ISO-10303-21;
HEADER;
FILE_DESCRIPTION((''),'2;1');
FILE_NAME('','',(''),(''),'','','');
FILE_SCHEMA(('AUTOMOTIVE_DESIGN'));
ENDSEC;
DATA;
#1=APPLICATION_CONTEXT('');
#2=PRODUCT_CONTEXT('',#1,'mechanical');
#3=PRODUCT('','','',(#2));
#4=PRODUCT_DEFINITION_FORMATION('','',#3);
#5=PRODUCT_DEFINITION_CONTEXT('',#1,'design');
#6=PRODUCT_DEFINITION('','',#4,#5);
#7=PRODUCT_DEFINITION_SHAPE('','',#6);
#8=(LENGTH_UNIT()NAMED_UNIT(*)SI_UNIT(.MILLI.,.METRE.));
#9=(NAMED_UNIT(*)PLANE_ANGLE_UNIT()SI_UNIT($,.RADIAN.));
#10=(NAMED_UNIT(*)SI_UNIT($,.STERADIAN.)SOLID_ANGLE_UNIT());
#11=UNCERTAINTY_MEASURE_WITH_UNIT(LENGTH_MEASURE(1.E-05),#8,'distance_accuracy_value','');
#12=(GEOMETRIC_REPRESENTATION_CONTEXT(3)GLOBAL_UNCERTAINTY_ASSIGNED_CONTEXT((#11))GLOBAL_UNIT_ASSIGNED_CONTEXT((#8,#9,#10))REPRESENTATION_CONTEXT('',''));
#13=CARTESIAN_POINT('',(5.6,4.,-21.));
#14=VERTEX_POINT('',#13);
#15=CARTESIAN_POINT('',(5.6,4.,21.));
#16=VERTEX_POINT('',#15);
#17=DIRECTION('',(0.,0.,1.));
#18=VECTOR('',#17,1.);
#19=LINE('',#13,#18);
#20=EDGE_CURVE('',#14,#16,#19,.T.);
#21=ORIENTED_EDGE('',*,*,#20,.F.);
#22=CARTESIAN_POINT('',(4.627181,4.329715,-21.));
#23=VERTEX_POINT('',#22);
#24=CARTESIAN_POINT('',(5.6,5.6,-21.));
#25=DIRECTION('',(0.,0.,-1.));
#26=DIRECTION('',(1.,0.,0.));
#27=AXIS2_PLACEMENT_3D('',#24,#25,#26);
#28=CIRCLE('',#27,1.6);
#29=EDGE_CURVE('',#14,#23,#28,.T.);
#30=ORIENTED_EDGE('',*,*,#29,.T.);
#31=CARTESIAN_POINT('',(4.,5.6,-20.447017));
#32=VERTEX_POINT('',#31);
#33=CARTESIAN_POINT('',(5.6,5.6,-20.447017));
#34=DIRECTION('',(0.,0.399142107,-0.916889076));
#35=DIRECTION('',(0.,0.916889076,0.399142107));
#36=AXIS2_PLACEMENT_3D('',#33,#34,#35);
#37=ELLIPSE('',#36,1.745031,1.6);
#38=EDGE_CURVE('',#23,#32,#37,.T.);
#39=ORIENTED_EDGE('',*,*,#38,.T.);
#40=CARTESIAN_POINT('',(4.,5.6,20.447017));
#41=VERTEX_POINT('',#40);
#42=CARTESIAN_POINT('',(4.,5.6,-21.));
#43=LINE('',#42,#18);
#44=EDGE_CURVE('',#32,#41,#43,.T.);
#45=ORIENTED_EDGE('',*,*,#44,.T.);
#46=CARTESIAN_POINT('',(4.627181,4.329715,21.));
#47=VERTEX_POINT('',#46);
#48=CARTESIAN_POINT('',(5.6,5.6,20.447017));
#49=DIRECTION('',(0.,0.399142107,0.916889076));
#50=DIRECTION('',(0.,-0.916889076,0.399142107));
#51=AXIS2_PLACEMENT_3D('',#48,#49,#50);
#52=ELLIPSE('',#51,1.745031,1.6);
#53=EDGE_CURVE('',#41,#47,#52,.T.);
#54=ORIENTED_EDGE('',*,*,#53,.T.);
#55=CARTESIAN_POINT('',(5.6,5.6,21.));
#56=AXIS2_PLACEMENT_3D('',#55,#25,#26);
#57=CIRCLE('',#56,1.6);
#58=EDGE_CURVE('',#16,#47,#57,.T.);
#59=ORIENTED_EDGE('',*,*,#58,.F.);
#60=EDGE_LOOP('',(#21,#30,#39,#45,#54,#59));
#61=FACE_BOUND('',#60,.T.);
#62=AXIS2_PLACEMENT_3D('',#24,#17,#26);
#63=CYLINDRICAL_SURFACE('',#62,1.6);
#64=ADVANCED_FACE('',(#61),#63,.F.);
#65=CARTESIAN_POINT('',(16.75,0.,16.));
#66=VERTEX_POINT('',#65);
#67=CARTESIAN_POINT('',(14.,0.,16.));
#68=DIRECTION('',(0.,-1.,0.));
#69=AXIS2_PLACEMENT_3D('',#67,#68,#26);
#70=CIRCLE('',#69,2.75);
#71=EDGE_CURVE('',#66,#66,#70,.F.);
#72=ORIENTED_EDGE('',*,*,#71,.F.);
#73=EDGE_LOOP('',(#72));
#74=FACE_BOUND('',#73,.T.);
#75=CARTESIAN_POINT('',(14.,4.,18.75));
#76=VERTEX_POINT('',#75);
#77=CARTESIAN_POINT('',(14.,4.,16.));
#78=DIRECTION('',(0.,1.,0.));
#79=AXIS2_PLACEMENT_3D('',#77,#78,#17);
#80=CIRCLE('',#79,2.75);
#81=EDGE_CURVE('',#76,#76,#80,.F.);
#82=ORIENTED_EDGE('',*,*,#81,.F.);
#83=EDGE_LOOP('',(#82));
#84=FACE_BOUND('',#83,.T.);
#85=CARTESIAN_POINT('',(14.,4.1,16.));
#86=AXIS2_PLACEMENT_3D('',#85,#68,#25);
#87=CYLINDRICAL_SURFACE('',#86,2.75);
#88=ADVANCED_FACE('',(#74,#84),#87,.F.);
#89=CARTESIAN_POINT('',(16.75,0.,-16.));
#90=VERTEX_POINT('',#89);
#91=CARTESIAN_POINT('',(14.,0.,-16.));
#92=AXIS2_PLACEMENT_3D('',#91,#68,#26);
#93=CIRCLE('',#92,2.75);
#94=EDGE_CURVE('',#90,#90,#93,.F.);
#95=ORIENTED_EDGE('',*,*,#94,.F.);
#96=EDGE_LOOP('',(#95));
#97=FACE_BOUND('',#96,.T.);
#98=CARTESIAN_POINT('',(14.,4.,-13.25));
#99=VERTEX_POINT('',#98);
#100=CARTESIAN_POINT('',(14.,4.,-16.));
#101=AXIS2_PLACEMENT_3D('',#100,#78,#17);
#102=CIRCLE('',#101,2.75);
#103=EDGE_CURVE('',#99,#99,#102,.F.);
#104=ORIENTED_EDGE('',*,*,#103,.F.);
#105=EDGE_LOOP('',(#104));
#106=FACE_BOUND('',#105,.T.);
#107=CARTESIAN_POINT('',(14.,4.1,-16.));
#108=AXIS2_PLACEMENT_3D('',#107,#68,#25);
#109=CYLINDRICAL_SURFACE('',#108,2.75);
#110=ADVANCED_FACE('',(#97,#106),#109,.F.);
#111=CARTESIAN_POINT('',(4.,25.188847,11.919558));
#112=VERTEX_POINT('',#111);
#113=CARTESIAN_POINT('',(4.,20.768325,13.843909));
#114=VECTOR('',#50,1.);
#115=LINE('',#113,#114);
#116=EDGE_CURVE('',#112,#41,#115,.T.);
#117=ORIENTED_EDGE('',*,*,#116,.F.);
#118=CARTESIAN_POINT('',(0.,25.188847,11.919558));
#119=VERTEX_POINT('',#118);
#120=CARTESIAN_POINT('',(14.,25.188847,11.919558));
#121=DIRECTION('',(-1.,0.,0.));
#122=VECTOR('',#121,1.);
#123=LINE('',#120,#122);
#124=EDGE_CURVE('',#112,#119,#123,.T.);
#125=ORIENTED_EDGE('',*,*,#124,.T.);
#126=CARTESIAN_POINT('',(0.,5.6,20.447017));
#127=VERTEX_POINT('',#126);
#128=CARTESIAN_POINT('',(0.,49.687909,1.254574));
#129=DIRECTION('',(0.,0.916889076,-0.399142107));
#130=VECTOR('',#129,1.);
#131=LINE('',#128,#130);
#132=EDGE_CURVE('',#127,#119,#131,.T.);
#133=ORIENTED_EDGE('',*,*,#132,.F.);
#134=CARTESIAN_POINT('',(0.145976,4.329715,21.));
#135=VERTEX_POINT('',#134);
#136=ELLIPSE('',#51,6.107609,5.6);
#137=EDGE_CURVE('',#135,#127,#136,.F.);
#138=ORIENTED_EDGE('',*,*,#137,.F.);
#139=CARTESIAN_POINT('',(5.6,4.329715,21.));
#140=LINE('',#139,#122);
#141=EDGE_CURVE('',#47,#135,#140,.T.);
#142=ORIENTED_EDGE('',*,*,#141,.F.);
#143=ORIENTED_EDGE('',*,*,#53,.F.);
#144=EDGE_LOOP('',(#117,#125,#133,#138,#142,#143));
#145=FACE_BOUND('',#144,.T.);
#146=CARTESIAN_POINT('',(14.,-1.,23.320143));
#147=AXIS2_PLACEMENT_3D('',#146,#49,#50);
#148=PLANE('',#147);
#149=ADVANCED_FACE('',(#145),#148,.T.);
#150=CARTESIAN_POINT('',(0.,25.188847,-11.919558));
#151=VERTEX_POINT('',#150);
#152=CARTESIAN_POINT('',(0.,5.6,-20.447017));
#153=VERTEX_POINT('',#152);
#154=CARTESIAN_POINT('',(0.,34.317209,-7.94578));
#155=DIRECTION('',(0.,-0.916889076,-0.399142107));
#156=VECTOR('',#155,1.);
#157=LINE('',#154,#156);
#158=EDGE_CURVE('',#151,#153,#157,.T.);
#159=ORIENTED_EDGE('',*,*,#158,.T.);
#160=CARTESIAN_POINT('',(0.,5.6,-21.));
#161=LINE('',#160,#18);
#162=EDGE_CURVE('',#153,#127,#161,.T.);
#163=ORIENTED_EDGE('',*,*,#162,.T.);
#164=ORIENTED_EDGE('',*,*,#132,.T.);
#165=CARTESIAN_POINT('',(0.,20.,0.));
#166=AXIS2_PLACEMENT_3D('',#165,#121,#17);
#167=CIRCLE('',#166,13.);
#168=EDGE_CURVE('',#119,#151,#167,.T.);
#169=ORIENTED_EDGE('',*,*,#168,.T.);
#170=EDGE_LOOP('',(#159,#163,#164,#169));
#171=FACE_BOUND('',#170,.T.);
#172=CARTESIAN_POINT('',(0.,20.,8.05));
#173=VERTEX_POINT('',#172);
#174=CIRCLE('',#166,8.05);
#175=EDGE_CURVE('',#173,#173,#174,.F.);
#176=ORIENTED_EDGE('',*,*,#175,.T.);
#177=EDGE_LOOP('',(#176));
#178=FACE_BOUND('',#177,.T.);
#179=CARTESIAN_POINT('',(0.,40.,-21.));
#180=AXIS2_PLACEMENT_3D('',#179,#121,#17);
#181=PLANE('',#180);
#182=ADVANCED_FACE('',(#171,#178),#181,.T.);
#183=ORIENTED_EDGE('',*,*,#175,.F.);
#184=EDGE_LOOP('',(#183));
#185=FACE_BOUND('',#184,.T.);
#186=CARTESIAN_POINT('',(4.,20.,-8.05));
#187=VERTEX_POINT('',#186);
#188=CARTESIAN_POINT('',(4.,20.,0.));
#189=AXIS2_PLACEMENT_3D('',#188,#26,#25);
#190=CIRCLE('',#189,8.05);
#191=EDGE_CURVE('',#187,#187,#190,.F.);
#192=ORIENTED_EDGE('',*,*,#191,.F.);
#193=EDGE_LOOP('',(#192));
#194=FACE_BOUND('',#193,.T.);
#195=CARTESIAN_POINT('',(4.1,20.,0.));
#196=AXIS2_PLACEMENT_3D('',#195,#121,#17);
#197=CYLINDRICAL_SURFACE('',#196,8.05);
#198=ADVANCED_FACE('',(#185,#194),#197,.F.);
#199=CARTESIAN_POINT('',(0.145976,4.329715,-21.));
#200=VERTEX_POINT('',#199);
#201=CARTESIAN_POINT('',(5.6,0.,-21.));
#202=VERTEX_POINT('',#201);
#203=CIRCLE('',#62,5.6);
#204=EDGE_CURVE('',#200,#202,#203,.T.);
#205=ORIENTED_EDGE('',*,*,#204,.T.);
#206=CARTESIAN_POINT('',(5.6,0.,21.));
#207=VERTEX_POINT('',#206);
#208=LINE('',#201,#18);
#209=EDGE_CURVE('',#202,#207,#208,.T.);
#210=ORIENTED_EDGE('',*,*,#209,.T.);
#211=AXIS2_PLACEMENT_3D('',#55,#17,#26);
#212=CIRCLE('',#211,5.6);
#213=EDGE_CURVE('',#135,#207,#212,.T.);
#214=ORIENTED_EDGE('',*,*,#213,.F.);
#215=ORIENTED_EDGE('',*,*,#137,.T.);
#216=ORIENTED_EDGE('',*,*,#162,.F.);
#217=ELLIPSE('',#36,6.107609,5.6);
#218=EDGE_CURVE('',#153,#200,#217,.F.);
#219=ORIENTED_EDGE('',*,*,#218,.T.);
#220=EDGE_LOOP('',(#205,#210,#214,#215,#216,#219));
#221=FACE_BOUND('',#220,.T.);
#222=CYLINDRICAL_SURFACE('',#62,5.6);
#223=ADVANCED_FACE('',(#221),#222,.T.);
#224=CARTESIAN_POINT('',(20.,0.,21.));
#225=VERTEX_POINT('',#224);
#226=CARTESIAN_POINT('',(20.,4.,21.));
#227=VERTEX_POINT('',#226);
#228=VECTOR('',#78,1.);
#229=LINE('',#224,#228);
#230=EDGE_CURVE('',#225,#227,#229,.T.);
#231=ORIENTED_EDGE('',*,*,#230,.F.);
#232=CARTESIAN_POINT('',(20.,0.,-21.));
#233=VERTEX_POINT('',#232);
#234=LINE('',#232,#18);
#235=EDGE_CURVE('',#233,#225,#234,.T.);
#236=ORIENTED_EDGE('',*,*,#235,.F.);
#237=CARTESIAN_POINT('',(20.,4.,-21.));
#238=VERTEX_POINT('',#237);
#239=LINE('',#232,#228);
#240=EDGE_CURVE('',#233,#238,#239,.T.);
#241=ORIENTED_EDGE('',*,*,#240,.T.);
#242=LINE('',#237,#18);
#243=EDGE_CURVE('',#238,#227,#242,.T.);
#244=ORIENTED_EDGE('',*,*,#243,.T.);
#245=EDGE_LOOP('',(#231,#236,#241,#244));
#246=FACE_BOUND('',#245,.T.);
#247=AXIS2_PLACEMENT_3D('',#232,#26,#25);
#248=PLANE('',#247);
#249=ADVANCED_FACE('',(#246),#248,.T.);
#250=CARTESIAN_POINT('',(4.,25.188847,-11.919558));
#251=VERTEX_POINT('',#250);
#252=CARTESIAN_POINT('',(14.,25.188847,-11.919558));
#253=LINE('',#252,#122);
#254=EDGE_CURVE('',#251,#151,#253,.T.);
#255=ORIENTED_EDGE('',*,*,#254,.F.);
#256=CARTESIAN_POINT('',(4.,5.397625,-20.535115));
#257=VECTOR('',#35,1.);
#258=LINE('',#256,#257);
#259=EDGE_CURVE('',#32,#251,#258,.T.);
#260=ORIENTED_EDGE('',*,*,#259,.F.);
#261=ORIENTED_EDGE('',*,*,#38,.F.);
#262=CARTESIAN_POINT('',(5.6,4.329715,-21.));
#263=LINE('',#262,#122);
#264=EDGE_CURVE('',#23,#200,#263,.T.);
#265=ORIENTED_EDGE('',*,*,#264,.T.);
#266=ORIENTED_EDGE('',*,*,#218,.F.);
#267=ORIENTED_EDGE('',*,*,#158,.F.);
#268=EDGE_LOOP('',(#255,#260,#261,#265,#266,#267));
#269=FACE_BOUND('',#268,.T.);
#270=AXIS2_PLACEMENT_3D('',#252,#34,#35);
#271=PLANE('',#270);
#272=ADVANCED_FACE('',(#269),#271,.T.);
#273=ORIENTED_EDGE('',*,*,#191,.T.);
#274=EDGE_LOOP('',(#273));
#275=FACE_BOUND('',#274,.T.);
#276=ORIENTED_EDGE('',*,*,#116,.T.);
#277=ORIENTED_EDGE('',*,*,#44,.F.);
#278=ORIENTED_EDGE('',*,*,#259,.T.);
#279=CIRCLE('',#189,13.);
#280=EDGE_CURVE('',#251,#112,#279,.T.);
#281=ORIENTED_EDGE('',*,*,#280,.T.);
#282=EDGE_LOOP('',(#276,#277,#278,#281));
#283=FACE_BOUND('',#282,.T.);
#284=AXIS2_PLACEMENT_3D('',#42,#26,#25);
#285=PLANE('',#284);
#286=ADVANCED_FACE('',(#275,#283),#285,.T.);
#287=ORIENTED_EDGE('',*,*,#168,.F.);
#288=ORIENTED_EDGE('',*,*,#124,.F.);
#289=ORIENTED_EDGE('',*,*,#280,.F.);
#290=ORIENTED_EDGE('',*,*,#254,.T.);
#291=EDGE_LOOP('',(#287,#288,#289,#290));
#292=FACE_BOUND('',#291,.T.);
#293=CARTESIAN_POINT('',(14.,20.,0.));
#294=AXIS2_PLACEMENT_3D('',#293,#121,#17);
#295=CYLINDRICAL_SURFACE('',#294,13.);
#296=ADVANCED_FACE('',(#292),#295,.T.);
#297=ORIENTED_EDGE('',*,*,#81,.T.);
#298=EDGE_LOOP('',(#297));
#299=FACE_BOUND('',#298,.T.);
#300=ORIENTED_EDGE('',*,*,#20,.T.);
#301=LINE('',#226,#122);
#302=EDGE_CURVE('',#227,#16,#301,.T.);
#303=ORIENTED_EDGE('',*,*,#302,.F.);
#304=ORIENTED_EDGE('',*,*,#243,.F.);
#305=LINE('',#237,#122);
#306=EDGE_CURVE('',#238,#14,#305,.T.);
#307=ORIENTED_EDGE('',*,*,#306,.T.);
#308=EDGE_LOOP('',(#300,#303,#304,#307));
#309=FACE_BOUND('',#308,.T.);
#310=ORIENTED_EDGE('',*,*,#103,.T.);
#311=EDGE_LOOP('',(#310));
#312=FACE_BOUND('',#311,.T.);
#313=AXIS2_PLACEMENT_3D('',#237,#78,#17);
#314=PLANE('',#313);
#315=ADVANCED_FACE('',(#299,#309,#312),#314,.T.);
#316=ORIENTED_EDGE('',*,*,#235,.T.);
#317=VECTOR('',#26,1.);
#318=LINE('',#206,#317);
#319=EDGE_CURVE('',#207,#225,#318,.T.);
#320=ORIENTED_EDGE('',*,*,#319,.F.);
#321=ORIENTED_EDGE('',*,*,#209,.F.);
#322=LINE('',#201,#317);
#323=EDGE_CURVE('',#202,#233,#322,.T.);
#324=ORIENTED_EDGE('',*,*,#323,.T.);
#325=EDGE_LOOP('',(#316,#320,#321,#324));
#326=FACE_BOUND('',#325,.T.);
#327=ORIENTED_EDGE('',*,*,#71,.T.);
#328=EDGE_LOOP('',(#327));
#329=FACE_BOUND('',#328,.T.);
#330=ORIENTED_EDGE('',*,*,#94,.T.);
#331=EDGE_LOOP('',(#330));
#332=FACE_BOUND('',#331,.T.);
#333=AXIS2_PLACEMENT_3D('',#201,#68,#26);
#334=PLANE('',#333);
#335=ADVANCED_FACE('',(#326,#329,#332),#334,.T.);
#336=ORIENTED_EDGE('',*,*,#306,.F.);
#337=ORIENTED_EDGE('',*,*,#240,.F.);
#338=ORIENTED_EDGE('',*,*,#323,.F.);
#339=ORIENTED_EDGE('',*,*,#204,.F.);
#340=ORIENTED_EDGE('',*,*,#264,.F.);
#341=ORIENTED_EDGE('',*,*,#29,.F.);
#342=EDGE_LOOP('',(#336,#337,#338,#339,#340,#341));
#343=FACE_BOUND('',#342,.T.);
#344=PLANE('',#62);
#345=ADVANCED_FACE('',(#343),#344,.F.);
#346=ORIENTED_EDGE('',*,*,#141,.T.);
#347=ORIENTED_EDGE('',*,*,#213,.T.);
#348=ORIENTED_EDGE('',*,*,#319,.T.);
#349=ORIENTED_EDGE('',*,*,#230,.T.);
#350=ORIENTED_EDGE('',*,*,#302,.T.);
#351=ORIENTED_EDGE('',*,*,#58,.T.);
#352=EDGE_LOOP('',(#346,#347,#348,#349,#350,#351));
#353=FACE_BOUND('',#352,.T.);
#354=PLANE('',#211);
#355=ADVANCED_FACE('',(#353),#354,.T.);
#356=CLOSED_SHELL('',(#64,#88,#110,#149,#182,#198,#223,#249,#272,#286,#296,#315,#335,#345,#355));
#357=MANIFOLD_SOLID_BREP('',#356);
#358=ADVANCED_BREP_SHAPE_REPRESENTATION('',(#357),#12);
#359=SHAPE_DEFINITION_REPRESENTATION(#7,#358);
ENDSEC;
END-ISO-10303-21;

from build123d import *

# Parameters (mm, degrees)
EXTRUSION1_DEPTH      = 21
EXTRUSION1_DEPTH_BACK = 21
EXTRUSION2_DEPTH      = 14
SKIZZE3_R             = 8.05
EXTRUSION3_DEPTH      = 4.1
SKIZZE4_R             = 2.75
EXTRUSION4_DEPTH      = 4.1
SKIZZE5_R             = 2.75
EXTRUSION5_DEPTH      = 4.1


with BuildPart() as part:
    # Skizze1 → Extrusion1 (new body, two sides)
    with BuildSketch(Plane.XY) as extrusion1_sk:
        with BuildLine():
            Line((0, 40), (0, 5.6))
            ThreePointArc((0, 5.6), (1.640202025, 1.640202025), (5.6, 0))
            Line((5.6, 0), (20, 0))
            Line((20, 0), (20, 4))
            Line((20, 4), (5.6, 4))
            ThreePointArc((5.6, 4), (4.46862915, 4.46862915), (4, 5.6))
            Line((4, 5.6), (4, 40))
            Line((4, 40), (0, 40))
        make_face()
    extrude(amount=EXTRUSION1_DEPTH)
    extrude(extrusion1_sk.sketch, amount=-EXTRUSION1_DEPTH_BACK)

    # Skizze2 → Extrusion2 (cut, symmetric)
    with BuildSketch(Plane.YZ):
        with BuildLine():
            Line((64.1, 63.1), (-1, 63.1))
            Line((-1, 63.1), (-1, 23.320142873))
            Line((-1, 23.320142873), (25.188847397, 11.919557991))
            ThreePointArc((25.188847397, 11.919557991), (33, 0), (25.188847397, -11.919557991))
            Line((25.188847397, -11.919557991), (-1, -23.320142873))
            Line((-1, -23.320142873), (-1, -63.1))
            Line((-1, -63.1), (64.1, -63.1))
            Line((64.1, -63.1), (64.1, 63.1))
        make_face()
    extrude(amount=EXTRUSION2_DEPTH, both=True, mode=Mode.SUBTRACT)

    # Skizze3 → Extrusion3 (cut, symmetric)
    with BuildSketch(Plane.YZ):
        with Locations(Location((20, 0, 0), (0, 0, 90))):  # turned: the seam where the file's is
            Circle(SKIZZE3_R)
    extrude(amount=EXTRUSION3_DEPTH, both=True, mode=Mode.SUBTRACT)

    # Skizze4 → Extrusion4 (cut, symmetric)
    with BuildSketch(Plane(origin=(0, 0, 0), x_dir=(-1, 0, 0), z_dir=(0, 1, 0))):
        with Locations(Location((-14, -16, 0), (0, 0, 180))):  # turned: the seam where the file's is
            Circle(SKIZZE4_R)
    extrude(amount=EXTRUSION4_DEPTH, both=True, mode=Mode.SUBTRACT)

    # Skizze5 → Extrusion5 (cut, symmetric)
    with BuildSketch(Plane(origin=(0, 0, 0), x_dir=(-1, 0, 0), z_dir=(0, 1, 0))):
        with Locations(Location((-14, 16, 0), (0, 0, 180))):  # turned: the seam where the file's is
            Circle(SKIZZE5_R)
    extrude(amount=EXTRUSION5_DEPTH, both=True, mode=Mode.SUBTRACT)


solid = part.part
